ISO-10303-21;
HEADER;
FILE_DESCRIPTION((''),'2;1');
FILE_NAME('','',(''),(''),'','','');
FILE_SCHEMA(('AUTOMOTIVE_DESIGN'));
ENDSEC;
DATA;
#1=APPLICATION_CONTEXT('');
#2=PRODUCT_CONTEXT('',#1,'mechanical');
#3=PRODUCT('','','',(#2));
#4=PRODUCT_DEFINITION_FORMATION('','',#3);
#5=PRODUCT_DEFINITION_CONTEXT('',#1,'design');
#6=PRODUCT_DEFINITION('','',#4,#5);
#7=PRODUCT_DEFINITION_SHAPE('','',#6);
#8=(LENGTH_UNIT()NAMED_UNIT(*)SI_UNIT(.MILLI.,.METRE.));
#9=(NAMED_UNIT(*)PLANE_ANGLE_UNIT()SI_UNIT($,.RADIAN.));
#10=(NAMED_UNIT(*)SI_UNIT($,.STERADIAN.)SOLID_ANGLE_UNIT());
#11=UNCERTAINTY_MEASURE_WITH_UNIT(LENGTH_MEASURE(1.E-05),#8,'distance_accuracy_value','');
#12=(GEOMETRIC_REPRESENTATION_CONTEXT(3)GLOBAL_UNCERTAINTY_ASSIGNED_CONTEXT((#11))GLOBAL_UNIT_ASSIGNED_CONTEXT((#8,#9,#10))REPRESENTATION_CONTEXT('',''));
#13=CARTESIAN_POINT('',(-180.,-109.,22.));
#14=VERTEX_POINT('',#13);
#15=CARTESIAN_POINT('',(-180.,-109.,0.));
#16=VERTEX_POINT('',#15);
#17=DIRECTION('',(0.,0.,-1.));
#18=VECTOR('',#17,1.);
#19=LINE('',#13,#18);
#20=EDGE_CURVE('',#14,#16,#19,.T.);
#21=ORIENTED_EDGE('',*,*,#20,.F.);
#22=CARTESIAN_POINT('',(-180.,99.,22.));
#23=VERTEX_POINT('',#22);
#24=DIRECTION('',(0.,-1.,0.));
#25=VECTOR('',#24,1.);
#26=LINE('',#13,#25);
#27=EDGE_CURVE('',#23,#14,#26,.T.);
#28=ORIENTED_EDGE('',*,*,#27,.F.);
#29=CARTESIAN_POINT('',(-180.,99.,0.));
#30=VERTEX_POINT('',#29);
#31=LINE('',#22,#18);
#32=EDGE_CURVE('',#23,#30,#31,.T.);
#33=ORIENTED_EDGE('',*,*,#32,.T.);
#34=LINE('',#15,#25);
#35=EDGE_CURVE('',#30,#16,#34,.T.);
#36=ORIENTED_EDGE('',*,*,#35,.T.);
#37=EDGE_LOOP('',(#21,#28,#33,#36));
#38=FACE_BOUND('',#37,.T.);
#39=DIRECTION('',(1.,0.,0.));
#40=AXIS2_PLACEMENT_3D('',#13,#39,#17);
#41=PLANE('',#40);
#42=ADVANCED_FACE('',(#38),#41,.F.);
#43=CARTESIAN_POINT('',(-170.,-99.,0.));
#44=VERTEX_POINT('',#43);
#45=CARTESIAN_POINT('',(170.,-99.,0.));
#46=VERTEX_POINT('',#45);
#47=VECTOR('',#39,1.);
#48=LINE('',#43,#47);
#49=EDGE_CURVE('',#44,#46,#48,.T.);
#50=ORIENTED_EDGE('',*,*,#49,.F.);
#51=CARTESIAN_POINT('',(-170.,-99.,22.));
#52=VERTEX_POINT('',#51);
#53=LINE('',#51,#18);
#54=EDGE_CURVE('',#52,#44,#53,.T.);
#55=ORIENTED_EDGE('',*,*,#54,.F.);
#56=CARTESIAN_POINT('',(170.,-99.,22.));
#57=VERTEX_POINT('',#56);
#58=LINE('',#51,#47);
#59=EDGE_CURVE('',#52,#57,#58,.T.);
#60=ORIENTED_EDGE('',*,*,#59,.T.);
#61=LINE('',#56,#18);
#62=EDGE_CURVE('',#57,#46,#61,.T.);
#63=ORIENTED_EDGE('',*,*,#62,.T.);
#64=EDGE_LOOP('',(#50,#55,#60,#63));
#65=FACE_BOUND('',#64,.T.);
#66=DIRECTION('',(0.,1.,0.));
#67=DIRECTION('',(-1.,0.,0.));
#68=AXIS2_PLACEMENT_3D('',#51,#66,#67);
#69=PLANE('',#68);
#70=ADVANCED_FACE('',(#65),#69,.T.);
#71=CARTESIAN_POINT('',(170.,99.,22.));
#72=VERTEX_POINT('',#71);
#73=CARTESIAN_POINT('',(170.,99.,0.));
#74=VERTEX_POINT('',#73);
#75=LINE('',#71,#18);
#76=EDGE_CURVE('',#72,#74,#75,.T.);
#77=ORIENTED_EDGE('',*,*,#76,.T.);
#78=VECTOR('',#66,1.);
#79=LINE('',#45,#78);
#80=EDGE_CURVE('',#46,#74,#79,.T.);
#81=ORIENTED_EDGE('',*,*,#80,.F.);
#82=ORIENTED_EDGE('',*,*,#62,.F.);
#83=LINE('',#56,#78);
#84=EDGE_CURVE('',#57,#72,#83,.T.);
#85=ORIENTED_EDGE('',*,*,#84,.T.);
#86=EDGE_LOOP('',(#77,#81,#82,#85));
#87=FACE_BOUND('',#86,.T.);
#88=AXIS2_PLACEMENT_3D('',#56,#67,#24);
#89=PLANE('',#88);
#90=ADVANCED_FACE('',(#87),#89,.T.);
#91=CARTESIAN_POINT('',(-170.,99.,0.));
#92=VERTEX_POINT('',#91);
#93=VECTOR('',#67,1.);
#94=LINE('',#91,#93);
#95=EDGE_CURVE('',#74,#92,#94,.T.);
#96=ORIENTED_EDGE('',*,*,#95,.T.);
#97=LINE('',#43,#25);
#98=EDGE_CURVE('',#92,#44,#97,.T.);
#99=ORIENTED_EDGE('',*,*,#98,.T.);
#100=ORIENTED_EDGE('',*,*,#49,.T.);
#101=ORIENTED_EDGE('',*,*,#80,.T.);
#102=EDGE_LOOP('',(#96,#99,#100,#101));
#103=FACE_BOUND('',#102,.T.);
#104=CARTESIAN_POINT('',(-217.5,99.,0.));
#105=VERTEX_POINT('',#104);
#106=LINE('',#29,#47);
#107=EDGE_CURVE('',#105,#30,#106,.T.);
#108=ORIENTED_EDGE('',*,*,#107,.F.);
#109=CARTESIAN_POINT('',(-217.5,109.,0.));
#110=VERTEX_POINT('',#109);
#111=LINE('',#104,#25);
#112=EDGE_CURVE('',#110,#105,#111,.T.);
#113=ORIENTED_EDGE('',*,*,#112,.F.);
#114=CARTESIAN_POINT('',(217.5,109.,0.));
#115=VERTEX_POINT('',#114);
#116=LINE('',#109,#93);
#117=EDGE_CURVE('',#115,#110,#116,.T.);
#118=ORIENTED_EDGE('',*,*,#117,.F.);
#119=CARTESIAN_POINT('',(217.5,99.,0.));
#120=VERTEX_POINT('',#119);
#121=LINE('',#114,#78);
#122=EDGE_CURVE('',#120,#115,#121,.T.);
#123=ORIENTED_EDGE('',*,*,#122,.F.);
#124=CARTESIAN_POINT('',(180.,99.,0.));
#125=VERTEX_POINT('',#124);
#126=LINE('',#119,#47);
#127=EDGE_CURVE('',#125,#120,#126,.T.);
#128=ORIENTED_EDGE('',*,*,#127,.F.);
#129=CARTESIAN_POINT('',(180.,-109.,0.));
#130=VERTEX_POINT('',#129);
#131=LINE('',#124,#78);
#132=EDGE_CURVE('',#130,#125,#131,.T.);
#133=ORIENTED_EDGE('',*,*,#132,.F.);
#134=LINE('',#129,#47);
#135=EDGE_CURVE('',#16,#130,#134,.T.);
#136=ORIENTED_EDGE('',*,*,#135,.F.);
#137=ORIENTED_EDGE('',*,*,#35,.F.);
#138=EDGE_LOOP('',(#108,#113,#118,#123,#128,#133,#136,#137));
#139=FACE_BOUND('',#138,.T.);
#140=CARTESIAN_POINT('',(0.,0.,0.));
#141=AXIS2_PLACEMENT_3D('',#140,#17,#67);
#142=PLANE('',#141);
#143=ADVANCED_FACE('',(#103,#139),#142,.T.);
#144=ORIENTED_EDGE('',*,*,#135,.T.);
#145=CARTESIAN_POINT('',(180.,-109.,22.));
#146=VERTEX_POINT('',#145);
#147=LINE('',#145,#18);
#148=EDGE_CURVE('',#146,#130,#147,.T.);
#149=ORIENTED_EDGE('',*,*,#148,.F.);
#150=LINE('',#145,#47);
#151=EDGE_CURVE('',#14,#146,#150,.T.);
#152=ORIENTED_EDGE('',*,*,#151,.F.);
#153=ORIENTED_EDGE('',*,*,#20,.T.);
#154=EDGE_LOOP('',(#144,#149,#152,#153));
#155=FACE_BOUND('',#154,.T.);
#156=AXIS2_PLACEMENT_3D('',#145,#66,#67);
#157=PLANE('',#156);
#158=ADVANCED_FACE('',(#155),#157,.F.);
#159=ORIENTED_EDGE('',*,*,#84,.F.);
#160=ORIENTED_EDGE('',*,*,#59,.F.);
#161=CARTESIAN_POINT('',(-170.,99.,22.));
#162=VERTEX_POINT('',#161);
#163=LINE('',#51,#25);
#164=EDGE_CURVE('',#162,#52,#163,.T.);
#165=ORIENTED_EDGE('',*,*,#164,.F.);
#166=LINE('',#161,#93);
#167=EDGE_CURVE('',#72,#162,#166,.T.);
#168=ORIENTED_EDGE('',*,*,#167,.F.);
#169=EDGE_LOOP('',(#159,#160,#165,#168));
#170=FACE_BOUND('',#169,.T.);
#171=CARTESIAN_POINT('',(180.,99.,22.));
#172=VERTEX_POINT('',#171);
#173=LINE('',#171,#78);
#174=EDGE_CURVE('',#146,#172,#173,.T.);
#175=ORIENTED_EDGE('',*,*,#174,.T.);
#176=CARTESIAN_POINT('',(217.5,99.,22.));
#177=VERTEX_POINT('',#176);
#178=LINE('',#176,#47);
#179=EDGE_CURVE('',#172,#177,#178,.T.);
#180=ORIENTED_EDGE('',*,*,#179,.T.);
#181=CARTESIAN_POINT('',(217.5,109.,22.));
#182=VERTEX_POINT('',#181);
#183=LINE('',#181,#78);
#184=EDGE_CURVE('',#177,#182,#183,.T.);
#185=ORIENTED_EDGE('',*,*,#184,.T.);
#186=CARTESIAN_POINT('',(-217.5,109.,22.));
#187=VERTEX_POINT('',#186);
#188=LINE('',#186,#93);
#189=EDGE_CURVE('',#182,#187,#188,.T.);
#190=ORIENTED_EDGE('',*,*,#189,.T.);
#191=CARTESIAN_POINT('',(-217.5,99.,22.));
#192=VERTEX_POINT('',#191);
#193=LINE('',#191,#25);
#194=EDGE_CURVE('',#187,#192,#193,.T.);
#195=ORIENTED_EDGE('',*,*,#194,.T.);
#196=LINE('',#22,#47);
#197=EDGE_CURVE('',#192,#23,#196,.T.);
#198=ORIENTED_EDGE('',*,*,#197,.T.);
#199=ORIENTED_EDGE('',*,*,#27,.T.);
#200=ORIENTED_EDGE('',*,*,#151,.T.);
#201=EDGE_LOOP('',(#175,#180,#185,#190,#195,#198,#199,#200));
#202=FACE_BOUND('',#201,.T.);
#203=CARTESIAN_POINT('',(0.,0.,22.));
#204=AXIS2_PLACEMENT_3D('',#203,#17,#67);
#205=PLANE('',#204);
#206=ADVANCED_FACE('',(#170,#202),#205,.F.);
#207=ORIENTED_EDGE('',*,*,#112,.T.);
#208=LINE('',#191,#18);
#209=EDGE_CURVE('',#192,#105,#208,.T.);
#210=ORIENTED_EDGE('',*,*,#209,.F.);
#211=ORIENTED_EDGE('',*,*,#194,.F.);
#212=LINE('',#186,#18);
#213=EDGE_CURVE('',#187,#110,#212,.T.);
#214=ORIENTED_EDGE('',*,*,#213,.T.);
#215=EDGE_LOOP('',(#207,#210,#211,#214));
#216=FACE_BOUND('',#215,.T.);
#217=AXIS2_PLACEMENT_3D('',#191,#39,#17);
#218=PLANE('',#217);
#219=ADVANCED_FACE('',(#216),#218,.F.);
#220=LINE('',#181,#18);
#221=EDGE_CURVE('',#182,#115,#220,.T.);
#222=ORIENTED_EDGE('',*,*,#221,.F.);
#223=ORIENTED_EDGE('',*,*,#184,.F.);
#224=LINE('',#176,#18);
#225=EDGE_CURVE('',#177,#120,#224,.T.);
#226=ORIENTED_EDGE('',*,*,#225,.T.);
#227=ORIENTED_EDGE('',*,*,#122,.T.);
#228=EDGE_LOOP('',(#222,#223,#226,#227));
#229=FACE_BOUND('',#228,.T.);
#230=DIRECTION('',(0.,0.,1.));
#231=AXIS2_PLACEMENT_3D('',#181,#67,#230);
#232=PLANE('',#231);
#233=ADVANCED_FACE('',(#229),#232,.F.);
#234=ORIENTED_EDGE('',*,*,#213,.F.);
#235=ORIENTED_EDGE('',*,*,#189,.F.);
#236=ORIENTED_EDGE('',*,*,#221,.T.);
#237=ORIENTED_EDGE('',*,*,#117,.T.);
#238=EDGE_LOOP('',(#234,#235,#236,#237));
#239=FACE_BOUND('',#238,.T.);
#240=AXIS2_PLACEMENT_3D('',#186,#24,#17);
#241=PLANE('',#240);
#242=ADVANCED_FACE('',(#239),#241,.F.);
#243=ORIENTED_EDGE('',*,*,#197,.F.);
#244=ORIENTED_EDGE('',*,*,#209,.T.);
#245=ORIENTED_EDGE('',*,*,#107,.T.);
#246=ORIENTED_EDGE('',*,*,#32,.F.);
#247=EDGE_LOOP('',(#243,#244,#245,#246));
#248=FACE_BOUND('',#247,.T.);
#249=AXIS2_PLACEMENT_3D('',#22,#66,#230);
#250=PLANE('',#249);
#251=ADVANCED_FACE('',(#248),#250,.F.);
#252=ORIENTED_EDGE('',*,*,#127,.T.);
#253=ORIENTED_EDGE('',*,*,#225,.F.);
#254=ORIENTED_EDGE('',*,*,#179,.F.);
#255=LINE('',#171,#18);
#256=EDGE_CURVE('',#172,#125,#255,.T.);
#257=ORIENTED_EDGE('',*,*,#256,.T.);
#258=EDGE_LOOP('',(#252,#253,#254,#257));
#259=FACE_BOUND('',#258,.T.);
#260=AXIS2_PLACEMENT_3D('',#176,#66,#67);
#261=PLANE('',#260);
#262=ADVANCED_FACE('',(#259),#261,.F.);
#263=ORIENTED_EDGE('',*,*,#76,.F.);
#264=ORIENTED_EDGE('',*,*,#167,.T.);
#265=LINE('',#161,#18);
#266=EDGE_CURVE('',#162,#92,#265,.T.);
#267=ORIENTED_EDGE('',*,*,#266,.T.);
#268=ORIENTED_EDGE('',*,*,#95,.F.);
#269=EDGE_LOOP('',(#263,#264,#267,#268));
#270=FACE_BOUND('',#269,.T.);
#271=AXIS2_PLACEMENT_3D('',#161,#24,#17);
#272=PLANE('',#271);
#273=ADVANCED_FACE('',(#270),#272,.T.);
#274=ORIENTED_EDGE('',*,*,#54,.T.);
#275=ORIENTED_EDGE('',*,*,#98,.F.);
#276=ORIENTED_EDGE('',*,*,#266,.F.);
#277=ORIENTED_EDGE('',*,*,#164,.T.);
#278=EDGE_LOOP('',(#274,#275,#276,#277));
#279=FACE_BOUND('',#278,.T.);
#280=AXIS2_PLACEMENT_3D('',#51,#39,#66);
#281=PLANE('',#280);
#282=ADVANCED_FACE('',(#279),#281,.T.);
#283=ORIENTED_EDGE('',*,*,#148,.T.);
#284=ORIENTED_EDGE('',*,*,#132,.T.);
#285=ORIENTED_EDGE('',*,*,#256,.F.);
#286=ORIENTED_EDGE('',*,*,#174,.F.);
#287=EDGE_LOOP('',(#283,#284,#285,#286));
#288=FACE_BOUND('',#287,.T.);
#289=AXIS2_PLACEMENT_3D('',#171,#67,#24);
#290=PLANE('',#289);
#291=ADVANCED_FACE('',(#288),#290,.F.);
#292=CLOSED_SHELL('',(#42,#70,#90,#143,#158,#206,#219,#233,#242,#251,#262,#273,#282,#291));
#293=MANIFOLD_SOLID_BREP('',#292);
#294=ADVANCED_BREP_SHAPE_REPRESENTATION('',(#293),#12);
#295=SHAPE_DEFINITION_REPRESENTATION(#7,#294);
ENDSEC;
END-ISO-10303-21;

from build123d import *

# Parameters (mm, degrees)
SKETCH1_W           = 340
SKETCH1_H           = 198
BOSS_EXTRUDE1_DEPTH = 22


with BuildPart() as part:
    # Sketch1 → Boss-Extrude1 (new body)
    with BuildSketch(Plane.XY):
        Polygon((-217.5, 109), (217.5, 109), (217.5, 99), (180, 99), (180, -109), (-180, -109), (-180, 99), (-217.5, 99), align=None)
        Rectangle(SKETCH1_W, SKETCH1_H, mode=Mode.SUBTRACT)
    extrude(amount=BOSS_EXTRUDE1_DEPTH)


solid = part.part
